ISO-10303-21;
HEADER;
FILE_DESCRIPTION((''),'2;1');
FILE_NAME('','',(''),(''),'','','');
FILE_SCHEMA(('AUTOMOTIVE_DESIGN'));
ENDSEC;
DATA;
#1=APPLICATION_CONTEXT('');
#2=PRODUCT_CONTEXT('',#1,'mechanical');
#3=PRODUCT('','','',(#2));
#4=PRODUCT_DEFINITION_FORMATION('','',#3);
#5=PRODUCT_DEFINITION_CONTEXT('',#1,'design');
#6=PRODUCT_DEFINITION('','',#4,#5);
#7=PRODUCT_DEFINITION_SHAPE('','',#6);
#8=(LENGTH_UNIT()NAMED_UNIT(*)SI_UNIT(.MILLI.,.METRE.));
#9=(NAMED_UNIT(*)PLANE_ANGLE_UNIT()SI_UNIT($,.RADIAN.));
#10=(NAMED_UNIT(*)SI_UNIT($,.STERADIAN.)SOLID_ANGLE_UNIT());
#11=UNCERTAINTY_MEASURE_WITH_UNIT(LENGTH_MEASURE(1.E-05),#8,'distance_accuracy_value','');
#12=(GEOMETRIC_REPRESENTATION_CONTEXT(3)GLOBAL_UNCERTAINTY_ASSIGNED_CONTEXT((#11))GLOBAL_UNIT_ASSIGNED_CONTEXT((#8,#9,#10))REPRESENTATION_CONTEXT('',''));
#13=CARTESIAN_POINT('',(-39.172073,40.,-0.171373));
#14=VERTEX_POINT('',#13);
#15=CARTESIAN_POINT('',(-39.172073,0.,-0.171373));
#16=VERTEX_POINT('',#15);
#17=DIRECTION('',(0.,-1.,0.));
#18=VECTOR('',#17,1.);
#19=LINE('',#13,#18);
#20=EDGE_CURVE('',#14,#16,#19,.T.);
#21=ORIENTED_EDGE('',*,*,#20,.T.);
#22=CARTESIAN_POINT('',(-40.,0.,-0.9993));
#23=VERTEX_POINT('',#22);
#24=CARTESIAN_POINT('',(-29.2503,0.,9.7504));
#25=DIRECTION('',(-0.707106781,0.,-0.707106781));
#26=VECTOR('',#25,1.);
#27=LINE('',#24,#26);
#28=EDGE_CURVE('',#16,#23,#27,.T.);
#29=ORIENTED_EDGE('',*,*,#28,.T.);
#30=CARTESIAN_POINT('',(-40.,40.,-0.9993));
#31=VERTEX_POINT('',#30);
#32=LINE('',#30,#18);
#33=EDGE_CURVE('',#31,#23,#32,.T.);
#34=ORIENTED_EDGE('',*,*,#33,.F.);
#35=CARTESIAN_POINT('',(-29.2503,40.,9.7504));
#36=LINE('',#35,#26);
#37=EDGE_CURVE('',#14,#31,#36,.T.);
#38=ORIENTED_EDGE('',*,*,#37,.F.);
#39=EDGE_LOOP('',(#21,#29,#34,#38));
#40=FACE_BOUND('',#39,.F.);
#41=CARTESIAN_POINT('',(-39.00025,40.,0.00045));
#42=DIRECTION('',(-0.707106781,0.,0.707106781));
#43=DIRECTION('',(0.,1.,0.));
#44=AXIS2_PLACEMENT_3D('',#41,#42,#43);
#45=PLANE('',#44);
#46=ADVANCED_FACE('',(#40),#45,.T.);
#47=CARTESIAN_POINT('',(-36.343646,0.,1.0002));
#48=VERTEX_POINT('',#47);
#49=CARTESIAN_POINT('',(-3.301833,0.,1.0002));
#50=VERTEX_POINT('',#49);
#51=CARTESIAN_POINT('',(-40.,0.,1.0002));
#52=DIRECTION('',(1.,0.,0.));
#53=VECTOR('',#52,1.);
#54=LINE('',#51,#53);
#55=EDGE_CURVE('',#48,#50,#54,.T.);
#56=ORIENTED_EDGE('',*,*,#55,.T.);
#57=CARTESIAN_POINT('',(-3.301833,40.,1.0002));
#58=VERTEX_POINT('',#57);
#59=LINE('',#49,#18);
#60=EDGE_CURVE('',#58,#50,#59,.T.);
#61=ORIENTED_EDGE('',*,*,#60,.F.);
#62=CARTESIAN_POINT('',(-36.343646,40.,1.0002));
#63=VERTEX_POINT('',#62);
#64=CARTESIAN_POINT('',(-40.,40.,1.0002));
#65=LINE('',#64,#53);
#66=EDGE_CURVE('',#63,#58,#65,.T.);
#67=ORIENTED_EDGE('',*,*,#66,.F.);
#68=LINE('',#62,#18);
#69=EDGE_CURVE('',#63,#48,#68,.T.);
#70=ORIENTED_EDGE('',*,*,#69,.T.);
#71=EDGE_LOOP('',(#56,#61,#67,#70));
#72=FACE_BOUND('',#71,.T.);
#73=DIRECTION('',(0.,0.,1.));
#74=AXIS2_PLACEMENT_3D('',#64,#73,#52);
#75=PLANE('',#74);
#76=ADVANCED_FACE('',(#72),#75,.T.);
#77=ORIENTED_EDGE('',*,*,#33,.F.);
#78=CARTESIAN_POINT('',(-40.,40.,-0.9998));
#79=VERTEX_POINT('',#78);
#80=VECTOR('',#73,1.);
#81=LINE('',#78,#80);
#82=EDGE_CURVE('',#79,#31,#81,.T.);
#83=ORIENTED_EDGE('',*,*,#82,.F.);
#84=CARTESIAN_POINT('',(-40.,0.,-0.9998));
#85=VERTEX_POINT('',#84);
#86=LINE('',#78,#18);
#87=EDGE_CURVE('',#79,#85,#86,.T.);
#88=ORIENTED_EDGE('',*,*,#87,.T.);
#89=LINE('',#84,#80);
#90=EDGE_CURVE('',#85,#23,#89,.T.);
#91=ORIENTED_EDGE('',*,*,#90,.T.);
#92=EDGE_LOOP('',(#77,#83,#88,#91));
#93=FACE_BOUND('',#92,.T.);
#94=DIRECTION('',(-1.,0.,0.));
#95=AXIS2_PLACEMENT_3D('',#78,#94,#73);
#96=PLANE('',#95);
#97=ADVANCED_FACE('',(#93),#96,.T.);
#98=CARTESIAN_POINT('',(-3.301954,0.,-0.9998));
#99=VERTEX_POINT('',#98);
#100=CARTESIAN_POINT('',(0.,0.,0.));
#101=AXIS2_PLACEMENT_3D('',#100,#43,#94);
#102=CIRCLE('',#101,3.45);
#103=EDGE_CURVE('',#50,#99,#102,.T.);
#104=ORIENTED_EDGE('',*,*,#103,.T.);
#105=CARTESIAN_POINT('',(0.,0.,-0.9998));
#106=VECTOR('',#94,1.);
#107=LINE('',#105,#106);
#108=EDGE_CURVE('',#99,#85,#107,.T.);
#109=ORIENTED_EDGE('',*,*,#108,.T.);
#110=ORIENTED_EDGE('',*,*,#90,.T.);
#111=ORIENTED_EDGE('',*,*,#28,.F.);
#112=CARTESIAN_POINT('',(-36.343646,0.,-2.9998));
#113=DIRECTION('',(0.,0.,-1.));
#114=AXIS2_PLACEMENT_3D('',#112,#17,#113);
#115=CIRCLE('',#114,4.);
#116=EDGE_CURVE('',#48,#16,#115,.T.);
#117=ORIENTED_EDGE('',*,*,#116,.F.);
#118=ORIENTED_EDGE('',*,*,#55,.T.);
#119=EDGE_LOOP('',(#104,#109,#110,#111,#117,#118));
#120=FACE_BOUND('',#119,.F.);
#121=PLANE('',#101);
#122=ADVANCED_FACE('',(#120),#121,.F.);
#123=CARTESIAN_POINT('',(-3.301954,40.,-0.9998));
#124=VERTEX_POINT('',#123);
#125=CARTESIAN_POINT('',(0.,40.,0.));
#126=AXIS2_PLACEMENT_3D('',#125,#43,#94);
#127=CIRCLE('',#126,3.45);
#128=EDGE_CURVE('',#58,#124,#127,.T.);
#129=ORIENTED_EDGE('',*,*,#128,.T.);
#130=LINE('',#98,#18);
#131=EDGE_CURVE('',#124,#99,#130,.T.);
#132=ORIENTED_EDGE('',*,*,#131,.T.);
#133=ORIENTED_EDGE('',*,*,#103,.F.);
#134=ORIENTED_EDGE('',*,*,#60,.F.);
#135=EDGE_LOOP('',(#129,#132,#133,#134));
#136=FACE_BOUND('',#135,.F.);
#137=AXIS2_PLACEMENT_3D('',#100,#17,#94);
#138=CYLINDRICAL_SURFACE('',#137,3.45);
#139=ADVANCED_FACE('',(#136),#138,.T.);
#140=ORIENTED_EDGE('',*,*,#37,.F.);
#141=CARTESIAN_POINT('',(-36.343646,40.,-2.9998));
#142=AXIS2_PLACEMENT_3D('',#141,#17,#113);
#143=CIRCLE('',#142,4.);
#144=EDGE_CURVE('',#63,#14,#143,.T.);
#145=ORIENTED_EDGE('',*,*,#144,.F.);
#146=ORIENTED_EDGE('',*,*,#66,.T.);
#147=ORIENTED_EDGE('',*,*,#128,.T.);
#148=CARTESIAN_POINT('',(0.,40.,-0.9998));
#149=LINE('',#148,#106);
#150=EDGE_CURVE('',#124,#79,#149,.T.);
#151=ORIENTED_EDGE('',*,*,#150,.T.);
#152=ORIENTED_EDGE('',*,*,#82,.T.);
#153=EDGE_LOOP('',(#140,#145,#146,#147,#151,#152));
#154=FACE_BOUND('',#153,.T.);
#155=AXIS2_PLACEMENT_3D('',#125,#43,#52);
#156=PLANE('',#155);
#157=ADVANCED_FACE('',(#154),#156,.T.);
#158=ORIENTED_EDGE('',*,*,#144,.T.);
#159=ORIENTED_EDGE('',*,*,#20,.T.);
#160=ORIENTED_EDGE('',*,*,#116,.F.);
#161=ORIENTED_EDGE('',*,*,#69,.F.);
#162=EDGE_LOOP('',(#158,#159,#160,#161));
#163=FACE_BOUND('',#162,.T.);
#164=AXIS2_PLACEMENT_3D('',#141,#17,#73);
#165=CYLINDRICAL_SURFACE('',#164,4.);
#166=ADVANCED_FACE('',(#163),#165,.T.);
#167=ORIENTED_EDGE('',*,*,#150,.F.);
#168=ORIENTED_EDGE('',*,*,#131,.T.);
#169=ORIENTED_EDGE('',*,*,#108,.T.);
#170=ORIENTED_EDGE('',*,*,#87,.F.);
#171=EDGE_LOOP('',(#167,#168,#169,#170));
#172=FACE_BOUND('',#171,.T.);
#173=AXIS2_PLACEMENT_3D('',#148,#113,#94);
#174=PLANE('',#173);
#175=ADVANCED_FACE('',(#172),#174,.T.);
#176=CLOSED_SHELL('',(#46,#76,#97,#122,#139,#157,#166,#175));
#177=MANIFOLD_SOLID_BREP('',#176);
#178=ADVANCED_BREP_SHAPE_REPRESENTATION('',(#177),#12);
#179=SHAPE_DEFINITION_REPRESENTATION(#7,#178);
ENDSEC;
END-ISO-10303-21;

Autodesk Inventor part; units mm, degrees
ref_plane "YZ Plane" through (0, 0, 0) normal (1, 0, 0) x (0, 1, 0)
ref_plane "XZ Plane" through (0, 0, 0) normal (0, 1, 0) x (-1, 0, 0)
ref_plane "XY Plane" through (0, 0, 0) normal (0, 0, 1) x (1, 0, 0)
sketch "Sketch1" plane through (0, 0, 0) normal (0, 1, 0) x (-1, 0, 0)
  point P0 (0, 0)
sketch "Sketch2" plane through (0, 0, 0) normal (0, 1, 0) x (-1, 0, 0)
  circle A0 centre (0, 0) radius 3.45
  dimension "d0" = 6.9
extrude "Extrusion1" add sketch "Sketch2" along normal blind 40
sketch "Sketch3" plane through (0, 40, 0) normal (0, 1, 0) x (1, 0, 0)
  line L0 (0, 0.9998) -> (-40, 0.9998)
  line L1 (-40, 0.9998) -> (-40, -1.0002)
  line L2 (-40, -1.0002) -> (0, -1.0002)
  line L3 (0, -1.0002) -> (0, 0.9998)
  point P0 (0, 0)
  dimension "d3" = 40
  dimension "d4" = 2
extrude "Extrusion2" add sketch "Sketch3" against normal blind 40
chamfer "Chamfer1" distance 2 angle 45 1 edges at (-40, 20, 1.0002)
fillet "Fillet1" radius 4 1 edges at (-38.0005, 20, 1.0002)
properties part number "scoop"
